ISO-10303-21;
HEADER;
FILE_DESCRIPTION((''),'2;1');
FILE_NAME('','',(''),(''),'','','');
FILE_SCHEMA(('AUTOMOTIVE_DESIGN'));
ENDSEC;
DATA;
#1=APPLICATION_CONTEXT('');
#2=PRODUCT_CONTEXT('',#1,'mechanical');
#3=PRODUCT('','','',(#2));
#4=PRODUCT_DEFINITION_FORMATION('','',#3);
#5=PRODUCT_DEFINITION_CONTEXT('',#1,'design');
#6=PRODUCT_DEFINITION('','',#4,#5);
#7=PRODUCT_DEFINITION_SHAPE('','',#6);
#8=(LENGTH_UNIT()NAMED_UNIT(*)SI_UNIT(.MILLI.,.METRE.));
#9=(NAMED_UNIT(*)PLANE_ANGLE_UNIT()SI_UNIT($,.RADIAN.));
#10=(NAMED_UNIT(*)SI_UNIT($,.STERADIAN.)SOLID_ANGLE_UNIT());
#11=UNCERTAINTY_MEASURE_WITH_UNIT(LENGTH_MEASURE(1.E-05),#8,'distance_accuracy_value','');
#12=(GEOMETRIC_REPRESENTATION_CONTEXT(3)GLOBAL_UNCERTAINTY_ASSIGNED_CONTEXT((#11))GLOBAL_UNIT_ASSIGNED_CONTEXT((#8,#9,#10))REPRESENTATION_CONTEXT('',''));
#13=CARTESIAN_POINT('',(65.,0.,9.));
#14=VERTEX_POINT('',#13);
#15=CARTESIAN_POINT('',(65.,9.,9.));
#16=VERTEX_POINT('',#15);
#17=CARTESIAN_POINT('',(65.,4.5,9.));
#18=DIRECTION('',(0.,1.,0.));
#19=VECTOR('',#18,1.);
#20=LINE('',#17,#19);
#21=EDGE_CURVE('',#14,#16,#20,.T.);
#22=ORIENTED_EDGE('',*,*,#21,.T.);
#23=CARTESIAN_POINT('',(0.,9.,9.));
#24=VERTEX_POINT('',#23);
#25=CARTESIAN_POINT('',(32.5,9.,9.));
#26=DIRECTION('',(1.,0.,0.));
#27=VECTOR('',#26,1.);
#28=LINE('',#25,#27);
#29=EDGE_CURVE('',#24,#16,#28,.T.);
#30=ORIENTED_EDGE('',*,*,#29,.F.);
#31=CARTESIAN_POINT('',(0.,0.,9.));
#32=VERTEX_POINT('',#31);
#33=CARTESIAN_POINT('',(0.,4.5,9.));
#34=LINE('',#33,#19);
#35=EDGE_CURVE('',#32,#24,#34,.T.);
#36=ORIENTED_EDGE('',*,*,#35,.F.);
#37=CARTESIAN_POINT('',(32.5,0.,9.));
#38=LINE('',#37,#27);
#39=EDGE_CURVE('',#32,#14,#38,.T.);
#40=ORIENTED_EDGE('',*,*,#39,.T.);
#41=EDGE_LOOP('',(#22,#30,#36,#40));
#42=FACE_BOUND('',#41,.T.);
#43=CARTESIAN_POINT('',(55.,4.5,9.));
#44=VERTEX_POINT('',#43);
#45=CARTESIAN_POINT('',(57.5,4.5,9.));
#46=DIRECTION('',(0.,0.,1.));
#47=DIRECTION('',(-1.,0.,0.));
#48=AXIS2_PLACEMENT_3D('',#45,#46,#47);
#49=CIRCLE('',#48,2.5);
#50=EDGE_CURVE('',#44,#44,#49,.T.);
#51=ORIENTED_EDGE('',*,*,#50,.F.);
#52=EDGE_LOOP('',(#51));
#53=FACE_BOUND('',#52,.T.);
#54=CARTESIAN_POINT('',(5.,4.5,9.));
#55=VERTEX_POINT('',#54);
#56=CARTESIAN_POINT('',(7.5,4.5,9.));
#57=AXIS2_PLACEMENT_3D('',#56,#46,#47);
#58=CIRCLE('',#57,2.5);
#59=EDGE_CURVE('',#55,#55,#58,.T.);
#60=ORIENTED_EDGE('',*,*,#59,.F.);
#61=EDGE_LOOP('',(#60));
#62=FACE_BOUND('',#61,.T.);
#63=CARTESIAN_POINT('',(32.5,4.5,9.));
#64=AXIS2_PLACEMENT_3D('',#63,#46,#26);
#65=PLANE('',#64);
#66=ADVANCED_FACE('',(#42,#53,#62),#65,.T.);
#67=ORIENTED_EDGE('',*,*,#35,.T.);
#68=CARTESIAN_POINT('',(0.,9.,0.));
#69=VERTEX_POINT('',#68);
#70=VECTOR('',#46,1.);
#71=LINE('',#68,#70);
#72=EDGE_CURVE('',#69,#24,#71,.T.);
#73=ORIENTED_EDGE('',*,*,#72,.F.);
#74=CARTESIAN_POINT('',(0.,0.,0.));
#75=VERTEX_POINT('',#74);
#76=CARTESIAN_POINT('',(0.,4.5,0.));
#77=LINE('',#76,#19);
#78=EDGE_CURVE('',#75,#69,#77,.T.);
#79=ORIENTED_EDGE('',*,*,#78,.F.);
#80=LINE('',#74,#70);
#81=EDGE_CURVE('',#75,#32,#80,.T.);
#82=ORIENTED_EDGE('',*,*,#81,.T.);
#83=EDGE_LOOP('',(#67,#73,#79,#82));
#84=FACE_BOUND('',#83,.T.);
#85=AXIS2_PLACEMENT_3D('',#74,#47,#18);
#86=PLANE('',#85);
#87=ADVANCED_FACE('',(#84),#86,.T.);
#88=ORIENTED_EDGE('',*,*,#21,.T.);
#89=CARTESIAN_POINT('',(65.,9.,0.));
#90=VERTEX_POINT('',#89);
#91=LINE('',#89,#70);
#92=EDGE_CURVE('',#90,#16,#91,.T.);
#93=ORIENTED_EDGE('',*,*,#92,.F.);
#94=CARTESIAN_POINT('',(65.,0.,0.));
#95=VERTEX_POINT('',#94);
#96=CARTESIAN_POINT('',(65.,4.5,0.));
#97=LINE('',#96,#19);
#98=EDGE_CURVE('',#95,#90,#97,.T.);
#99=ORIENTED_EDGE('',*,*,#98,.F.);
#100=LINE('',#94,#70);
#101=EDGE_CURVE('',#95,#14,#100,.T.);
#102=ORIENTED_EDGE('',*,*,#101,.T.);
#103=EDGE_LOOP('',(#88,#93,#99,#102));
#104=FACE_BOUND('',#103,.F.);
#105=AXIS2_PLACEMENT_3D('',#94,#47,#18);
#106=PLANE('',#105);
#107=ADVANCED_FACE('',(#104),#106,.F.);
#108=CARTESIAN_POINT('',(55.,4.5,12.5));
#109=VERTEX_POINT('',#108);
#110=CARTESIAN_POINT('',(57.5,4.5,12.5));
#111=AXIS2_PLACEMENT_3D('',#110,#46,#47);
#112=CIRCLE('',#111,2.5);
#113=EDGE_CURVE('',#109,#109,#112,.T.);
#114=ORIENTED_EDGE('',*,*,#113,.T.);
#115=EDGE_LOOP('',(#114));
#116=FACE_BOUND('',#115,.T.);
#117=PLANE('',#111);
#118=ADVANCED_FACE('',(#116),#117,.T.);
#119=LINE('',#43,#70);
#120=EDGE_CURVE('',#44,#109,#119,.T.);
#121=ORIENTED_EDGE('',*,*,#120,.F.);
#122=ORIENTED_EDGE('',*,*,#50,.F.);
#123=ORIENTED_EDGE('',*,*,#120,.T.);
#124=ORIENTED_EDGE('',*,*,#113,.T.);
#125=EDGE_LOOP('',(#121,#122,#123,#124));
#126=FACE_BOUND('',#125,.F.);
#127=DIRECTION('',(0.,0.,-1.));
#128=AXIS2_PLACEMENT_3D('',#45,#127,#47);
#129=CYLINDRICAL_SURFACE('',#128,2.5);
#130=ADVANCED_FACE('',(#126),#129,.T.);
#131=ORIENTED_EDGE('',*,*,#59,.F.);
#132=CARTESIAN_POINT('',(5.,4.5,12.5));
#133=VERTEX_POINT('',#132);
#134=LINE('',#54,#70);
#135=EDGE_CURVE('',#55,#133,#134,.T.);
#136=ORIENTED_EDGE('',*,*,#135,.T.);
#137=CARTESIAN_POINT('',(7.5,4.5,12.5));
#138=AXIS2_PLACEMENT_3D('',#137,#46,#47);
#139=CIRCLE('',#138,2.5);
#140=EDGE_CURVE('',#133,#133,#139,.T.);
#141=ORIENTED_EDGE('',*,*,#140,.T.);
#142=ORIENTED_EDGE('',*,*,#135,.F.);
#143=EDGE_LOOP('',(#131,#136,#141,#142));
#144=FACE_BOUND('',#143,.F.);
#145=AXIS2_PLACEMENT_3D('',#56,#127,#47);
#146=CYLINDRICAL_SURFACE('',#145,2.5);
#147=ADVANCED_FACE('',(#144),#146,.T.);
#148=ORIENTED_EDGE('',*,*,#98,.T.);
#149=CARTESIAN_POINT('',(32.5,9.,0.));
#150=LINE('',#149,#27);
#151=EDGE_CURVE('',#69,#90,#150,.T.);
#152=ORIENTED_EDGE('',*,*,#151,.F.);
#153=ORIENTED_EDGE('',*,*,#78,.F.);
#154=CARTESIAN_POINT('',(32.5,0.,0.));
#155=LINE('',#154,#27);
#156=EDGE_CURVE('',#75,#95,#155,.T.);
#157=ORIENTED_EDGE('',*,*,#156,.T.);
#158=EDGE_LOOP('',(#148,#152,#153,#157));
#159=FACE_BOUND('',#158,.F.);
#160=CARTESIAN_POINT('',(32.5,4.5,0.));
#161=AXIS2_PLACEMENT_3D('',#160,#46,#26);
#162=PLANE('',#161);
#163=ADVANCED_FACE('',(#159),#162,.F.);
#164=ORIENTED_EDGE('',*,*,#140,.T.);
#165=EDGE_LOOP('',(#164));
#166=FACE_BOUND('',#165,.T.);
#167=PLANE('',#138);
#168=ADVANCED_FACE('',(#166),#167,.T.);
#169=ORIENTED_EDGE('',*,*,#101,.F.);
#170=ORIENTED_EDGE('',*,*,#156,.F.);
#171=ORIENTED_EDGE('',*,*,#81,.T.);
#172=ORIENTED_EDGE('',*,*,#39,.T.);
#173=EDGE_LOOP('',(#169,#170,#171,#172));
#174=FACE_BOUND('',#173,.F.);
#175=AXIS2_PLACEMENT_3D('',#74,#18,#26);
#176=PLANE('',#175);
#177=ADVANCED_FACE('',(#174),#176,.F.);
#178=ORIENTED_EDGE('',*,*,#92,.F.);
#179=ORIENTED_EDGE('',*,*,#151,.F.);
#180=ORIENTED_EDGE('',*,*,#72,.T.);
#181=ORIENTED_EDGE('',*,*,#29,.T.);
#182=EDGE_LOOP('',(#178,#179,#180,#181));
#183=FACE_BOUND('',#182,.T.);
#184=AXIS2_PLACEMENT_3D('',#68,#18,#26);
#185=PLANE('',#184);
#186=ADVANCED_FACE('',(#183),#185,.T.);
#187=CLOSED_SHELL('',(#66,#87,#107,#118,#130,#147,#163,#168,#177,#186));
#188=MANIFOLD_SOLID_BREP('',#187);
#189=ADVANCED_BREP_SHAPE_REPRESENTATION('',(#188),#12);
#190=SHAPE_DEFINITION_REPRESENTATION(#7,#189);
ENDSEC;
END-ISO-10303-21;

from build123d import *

# Parameters (mm, degrees)
SKETCH1_W           = 65
SKETCH1_H           = 9
BOSS_EXTRUDE1_DEPTH = 9
SKETCH2_R           = 2.5
BOSS_EXTRUDE2_DEPTH = 3.5


with BuildPart() as part:
    # Sketch1 → Boss-Extrude1 (new body)
    with BuildSketch(Plane.XY):
        with Locations((32.5, 4.5)):
            Rectangle(SKETCH1_W, SKETCH1_H)
    extrude(amount=BOSS_EXTRUDE1_DEPTH)

    # Sketch2 → Boss-Extrude2 (add)
    with BuildSketch(Plane.XY.offset(9)):
        with Locations(Location((7.5, 4.5, 0), (0, 0, 180))):  # turned: the seam where the file's is
            Circle(SKETCH2_R)
        with Locations(Location((57.5, 4.5, 0), (0, 0, 180))):  # turned: the seam where the file's is
            Circle(SKETCH2_R)
    extrude(amount=BOSS_EXTRUDE2_DEPTH)


solid = part.part
